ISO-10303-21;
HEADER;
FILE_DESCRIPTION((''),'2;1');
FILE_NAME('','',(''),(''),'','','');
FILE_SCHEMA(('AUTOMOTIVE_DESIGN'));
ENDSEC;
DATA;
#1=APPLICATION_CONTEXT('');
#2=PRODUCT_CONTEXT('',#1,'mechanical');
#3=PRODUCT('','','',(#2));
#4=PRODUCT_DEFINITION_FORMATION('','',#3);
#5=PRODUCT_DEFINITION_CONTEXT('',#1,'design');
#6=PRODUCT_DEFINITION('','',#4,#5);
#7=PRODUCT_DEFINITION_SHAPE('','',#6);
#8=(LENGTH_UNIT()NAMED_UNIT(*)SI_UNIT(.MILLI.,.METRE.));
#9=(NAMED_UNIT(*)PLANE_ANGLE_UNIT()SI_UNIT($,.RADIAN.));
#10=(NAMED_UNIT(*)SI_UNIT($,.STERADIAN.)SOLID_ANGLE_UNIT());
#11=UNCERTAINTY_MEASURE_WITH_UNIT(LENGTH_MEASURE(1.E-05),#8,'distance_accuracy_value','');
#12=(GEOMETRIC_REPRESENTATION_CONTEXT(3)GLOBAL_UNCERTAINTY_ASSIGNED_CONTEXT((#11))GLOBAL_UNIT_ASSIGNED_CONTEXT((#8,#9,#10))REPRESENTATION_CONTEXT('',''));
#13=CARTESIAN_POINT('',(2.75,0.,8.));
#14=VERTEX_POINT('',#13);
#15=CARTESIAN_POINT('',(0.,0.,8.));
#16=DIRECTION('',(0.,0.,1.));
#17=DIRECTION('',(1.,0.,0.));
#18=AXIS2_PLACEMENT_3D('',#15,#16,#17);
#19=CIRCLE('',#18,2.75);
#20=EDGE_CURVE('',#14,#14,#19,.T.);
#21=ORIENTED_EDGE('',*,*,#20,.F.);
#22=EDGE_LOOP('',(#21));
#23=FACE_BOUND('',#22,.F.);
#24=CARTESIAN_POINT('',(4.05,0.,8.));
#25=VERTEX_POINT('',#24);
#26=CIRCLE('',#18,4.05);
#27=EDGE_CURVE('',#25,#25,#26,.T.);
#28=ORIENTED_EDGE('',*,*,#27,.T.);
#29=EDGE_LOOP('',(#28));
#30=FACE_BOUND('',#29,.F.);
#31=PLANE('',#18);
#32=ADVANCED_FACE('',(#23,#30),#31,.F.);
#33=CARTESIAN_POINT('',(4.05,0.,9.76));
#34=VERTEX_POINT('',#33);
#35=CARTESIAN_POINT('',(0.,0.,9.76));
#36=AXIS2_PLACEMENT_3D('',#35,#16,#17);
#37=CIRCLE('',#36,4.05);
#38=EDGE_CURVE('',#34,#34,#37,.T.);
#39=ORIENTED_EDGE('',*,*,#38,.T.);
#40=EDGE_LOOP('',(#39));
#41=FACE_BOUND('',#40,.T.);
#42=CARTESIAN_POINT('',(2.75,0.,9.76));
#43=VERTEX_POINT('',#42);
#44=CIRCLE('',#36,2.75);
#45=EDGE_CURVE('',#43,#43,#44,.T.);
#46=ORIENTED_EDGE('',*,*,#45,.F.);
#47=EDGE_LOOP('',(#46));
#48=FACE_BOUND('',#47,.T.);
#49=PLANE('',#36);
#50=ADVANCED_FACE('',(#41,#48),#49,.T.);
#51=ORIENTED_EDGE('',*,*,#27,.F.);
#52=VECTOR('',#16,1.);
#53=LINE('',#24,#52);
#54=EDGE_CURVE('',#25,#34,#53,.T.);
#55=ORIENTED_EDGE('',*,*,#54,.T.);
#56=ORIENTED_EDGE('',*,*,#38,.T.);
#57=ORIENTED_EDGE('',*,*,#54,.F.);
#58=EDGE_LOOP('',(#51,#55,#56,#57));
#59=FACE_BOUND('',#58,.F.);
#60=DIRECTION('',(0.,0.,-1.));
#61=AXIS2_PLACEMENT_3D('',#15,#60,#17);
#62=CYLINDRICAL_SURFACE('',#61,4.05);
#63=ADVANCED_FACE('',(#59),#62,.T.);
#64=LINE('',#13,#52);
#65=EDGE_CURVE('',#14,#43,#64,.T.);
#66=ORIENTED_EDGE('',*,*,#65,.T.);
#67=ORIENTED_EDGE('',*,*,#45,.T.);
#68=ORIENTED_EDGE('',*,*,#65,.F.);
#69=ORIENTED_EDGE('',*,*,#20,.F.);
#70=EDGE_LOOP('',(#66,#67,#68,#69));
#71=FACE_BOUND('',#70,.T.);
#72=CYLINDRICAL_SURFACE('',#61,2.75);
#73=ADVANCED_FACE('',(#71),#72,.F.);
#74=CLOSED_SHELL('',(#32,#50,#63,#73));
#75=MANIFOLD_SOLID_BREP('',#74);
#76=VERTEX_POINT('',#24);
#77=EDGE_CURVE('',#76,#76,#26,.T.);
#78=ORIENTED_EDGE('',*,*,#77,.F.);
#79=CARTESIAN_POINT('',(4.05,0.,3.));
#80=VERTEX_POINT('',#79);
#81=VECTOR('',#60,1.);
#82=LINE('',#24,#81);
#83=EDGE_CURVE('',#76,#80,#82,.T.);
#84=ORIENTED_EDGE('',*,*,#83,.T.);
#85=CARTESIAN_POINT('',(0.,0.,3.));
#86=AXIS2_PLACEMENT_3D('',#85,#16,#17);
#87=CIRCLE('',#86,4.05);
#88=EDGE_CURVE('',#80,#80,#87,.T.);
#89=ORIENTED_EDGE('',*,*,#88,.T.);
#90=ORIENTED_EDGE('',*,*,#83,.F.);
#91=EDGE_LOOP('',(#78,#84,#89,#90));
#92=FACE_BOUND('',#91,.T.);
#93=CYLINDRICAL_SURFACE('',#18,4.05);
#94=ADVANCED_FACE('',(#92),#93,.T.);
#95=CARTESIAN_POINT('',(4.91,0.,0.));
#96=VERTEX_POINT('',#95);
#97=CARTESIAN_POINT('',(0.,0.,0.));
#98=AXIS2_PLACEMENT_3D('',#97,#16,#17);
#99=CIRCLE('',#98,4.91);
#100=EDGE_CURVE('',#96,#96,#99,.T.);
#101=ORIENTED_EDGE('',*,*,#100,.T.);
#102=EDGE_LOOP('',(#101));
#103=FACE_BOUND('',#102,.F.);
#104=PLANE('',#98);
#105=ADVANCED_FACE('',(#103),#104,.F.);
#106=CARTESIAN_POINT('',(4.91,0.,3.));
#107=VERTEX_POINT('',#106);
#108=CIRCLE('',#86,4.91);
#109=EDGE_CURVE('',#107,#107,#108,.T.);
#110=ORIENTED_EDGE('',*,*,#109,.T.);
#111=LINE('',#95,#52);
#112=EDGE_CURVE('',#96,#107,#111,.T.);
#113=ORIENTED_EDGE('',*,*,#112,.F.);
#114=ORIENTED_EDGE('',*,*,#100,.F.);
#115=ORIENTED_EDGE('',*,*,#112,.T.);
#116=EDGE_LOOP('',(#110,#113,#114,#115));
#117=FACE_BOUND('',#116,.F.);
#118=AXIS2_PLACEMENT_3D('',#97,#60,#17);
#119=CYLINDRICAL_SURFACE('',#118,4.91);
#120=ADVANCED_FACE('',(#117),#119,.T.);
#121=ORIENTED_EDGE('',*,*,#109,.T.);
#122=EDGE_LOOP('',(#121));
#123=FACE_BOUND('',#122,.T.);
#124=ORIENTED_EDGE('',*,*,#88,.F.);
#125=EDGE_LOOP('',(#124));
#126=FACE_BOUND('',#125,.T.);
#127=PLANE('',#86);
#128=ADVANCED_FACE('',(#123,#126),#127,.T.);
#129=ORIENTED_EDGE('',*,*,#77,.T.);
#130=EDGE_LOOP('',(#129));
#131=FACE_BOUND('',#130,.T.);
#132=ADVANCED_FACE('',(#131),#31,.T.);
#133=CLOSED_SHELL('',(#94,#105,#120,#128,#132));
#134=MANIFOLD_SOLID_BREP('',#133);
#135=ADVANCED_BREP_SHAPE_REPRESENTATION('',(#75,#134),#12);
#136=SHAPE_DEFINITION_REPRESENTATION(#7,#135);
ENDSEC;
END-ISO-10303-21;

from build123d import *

# Parameters (mm, degrees)
SKETCH1_R           = 4.91
BOSS_EXTRUDE1_DEPTH = 8
SKETCH2_R           = 4.05
SKETCH2_R_2         = 2.75
BOSS_EXTRUDE2_DEPTH = 1.76
SKETCH3_R           = 4.91
SKETCH3_R_2         = 4.05
CUT_EXTRUDE1_DEPTH  = 5


with BuildPart() as part:
    # Sketch1 → Boss-Extrude1 (new body)
    with BuildSketch(Plane.XY):
        Circle(SKETCH1_R)
    extrude(amount=BOSS_EXTRUDE1_DEPTH)

    # Sketch3 → Cut-Extrude1 (cut)
    with BuildSketch(Plane.XY.offset(8)):
        Circle(SKETCH3_R)
        Circle(SKETCH3_R_2, mode=Mode.SUBTRACT)
    extrude(amount=-CUT_EXTRUDE1_DEPTH, mode=Mode.SUBTRACT)


with BuildPart() as body_2:
    # Sketch2 → Boss-Extrude2 (new body)
    with BuildSketch(Plane.XY.offset(8)):
        Circle(SKETCH2_R)
        Circle(SKETCH2_R_2, mode=Mode.SUBTRACT)
    extrude(amount=BOSS_EXTRUDE2_DEPTH)


solid = Compound([part.part, body_2.part])
